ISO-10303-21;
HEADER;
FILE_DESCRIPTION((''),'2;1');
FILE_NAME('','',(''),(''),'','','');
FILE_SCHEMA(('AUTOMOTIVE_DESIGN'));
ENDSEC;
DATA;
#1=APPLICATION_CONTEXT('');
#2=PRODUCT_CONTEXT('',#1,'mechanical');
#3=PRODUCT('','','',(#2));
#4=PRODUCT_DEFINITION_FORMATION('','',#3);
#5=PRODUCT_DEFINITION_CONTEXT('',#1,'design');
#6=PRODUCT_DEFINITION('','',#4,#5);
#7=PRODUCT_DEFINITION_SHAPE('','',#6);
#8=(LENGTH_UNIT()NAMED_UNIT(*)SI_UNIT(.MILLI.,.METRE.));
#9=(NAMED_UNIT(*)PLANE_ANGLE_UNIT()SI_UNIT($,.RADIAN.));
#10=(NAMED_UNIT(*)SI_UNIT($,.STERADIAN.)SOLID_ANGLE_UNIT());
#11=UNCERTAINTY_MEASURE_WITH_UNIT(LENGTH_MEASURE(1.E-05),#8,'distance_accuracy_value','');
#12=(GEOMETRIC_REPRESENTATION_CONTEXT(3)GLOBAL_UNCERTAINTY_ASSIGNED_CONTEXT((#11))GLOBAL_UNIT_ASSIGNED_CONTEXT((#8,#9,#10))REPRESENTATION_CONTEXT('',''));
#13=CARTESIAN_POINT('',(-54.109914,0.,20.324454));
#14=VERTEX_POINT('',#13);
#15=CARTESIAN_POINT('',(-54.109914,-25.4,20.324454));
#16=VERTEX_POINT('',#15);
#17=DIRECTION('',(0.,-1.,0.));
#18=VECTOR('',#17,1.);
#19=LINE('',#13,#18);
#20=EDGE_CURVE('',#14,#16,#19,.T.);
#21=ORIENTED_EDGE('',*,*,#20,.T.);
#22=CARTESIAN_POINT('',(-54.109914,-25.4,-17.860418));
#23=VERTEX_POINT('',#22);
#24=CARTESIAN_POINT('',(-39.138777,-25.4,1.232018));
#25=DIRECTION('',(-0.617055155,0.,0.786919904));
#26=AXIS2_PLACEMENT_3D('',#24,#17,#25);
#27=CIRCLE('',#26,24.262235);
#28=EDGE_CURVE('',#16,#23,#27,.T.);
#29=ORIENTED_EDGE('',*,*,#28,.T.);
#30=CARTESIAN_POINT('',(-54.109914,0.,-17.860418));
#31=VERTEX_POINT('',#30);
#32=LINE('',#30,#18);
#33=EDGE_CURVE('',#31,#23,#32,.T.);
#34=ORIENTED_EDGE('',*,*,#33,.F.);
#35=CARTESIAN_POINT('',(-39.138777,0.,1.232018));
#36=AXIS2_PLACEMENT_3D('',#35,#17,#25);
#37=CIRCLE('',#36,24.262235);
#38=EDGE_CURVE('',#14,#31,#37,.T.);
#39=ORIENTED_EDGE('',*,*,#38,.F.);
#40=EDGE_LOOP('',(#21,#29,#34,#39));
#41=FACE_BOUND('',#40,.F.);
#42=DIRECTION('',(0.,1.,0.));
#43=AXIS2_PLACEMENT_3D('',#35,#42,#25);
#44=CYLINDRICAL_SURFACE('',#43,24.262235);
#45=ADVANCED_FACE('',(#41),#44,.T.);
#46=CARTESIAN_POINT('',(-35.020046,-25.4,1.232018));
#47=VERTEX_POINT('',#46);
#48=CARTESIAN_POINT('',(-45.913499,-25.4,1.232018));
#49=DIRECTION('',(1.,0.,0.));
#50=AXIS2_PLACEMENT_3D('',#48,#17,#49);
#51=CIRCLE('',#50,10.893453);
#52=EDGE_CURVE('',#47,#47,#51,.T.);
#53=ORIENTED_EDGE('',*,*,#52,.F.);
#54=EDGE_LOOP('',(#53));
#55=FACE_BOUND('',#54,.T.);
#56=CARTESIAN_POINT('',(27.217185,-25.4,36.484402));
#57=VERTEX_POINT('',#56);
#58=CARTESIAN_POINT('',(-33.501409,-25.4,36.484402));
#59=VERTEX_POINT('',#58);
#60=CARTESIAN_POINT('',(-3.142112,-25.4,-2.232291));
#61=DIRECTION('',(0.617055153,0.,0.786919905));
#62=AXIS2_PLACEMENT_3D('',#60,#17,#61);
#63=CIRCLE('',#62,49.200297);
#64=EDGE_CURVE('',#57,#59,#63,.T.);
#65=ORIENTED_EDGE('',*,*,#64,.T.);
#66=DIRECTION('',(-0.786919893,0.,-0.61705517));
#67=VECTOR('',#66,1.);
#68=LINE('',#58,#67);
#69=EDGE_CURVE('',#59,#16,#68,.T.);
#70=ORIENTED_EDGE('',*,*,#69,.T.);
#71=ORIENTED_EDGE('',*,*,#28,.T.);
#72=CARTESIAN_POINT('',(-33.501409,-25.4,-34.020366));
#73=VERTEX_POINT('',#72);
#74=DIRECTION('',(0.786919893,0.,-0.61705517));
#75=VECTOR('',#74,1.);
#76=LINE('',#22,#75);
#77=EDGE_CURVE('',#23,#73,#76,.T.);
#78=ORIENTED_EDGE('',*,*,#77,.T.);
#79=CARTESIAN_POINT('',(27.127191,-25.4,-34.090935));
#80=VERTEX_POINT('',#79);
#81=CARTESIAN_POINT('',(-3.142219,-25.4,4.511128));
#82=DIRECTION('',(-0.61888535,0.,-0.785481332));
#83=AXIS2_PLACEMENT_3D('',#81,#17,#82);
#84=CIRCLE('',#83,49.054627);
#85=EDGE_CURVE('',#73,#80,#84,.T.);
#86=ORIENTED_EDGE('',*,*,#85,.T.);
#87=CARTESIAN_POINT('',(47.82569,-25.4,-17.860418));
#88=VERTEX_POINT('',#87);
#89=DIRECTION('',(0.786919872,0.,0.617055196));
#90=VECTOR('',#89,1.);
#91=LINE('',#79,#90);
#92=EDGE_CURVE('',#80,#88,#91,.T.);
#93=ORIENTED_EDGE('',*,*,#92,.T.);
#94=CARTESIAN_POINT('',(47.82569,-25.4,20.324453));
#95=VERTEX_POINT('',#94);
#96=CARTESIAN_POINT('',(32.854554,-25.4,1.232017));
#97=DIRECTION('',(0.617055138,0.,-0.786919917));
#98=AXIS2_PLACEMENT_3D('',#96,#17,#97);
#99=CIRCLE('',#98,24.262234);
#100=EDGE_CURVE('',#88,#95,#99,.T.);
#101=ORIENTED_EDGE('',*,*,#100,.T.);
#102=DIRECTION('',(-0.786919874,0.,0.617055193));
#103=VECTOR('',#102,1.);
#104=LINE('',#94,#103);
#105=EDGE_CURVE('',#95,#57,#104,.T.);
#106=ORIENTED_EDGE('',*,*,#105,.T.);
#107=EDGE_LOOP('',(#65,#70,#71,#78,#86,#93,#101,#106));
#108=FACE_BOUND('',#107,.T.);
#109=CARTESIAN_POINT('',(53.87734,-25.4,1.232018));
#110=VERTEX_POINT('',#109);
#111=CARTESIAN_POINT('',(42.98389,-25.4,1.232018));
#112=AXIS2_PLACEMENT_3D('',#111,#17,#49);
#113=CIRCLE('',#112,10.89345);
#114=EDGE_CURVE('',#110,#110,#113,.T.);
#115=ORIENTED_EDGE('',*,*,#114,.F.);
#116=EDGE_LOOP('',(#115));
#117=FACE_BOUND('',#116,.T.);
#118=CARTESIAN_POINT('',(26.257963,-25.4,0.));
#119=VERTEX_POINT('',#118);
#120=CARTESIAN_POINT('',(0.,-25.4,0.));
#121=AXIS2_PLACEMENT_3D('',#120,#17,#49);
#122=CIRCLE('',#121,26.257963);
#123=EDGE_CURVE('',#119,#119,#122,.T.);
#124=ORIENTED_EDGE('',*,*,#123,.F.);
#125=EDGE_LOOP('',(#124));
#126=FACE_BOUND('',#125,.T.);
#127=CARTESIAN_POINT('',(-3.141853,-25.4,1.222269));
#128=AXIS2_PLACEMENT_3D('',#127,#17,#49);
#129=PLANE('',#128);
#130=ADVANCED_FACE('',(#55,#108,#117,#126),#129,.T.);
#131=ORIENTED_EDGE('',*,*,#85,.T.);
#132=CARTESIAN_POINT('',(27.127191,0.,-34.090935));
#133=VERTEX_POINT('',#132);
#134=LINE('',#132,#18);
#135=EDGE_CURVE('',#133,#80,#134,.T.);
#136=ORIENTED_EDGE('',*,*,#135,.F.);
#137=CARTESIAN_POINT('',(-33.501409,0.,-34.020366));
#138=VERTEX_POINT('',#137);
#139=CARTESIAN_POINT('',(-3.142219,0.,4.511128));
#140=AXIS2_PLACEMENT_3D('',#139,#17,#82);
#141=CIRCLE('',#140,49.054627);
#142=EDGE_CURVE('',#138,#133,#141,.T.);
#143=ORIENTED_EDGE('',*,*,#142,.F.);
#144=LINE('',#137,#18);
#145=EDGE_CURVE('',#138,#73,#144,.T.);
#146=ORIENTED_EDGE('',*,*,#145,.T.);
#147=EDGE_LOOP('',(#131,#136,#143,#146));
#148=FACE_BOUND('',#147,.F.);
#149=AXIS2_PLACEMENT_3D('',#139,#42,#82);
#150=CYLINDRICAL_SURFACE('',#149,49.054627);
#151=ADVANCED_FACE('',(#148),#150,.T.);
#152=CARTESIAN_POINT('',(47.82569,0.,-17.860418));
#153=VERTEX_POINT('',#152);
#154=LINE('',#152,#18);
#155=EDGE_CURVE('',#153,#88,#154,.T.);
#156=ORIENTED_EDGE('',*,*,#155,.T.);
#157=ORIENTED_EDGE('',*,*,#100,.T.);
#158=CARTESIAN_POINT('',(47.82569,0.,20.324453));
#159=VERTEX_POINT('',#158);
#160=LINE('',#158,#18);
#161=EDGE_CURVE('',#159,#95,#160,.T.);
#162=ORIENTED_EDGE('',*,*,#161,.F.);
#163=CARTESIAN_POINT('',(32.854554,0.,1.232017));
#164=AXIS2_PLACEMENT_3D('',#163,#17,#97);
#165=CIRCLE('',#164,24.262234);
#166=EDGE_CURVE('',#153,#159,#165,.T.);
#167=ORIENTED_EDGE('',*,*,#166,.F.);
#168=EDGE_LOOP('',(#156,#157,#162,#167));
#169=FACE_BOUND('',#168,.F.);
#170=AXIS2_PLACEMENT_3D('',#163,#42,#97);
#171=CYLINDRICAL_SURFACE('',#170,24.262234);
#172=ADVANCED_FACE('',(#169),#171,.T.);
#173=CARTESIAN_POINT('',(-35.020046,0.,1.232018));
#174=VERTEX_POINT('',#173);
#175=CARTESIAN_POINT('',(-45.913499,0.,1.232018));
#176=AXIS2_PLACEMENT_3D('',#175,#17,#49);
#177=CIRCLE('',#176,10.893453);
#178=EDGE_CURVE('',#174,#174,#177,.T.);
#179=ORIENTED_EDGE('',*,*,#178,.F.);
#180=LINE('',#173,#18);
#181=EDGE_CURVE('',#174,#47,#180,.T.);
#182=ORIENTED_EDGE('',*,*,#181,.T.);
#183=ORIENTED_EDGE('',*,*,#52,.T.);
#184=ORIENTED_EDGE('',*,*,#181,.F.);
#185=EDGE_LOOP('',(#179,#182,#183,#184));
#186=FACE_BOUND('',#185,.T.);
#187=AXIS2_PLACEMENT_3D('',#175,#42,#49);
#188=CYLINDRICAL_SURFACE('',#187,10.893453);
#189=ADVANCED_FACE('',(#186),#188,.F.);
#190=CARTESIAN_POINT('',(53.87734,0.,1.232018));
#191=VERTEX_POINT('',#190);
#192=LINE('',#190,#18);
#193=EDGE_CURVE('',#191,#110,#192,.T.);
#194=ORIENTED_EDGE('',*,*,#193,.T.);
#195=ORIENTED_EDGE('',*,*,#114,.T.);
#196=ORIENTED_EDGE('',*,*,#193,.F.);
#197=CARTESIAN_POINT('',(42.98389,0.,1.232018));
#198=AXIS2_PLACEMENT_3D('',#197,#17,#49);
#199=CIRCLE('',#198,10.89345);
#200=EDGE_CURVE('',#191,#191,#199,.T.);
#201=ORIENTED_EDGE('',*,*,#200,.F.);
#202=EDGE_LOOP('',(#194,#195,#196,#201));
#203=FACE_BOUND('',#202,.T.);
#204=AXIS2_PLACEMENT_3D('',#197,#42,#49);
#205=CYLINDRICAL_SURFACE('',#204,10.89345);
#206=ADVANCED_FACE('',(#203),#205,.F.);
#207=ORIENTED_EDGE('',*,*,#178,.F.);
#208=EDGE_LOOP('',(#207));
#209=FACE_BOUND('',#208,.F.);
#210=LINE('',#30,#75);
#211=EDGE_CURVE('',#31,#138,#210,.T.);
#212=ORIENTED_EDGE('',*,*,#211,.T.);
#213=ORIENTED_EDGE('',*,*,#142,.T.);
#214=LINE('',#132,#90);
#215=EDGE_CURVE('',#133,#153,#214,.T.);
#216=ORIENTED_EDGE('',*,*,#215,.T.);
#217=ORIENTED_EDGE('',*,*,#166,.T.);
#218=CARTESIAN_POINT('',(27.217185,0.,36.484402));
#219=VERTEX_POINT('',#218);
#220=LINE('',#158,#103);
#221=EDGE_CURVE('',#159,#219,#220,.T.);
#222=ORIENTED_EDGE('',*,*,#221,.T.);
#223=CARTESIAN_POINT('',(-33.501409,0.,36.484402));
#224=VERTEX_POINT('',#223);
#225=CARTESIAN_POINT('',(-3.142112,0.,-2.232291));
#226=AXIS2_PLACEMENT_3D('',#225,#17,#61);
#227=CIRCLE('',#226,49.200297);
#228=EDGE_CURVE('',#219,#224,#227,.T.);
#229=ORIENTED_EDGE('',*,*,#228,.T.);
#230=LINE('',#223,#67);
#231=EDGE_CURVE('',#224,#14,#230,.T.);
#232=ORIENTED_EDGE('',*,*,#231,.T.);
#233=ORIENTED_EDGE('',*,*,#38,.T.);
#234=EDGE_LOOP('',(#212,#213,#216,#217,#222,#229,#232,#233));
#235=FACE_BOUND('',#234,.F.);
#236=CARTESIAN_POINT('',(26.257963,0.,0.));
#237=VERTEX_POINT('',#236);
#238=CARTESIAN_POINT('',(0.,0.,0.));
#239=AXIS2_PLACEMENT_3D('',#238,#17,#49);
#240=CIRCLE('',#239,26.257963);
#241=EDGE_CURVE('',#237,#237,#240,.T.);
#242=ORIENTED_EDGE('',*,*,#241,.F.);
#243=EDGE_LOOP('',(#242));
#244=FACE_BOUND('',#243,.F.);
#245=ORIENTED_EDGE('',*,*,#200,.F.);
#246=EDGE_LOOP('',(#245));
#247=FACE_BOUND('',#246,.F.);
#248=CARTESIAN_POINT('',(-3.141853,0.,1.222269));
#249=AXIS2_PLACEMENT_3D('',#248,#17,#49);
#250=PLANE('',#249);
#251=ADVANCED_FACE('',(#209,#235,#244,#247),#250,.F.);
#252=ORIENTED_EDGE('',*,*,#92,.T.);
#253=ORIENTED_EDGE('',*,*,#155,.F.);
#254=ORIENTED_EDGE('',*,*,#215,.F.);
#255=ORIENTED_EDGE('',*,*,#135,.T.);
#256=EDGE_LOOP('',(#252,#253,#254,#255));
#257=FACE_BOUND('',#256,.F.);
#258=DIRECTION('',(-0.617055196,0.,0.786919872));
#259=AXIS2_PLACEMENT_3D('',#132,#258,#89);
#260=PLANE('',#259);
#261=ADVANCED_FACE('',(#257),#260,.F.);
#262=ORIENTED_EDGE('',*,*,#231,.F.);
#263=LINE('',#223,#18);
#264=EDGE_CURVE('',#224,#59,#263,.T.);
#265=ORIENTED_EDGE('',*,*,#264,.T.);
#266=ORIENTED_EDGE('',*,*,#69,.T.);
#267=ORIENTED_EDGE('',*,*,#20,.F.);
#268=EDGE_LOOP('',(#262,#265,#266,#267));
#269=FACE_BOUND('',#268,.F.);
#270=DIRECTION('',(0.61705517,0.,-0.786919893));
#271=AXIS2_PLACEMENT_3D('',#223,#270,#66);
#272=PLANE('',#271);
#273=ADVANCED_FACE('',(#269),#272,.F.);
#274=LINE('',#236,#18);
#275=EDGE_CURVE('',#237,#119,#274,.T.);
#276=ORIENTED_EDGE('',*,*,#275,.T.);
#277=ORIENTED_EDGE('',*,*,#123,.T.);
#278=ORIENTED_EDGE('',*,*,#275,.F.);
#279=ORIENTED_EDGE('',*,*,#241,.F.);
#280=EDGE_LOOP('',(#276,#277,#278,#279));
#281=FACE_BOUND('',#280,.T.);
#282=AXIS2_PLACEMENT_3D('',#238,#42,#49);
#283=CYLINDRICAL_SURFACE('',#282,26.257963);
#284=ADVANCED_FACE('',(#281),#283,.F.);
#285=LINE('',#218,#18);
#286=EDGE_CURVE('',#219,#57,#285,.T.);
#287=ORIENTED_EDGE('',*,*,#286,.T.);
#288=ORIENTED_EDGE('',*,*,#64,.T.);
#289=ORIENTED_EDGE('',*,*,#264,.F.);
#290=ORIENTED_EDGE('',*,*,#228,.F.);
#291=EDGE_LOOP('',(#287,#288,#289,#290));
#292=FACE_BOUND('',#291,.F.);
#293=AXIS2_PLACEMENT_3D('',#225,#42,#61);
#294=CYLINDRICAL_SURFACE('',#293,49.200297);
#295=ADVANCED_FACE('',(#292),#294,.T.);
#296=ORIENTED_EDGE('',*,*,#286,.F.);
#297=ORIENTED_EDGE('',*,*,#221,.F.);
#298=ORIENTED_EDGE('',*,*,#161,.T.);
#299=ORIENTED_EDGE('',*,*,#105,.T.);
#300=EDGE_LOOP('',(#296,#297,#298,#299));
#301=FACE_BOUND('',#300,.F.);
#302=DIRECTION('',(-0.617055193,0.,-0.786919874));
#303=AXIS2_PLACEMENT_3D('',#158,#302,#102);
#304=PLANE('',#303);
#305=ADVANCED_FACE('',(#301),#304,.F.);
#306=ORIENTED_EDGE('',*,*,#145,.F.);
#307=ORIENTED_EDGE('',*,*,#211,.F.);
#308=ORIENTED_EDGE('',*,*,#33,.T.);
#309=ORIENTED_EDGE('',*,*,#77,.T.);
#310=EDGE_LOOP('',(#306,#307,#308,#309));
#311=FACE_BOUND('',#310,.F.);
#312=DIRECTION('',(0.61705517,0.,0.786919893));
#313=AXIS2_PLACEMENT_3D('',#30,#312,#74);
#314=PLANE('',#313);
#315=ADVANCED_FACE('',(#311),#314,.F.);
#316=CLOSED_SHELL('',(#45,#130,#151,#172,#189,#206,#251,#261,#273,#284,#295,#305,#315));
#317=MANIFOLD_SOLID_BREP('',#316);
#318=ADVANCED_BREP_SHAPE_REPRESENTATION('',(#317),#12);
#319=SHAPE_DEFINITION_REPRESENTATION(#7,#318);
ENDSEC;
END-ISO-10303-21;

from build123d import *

# Parameters (mm, degrees)
F0_R     = 26.257963
F0_R_2   = 10.893453
F0_R_3   = 10.89345
F1_DEPTH = 25.4


with BuildPart() as f1:
    # F0 (on Front) → F1 (new body)
    with BuildSketch(Plane.XZ):
        with BuildLine():
            Line((47.82569, 20.324453), (27.217185, 36.484402))
            ThreePointArc((27.217185, 36.484402), (-3.142112, 46.968006), (-33.501409, 36.484402))
            Line((-33.501409, 36.484402), (-54.109914, 20.324454))
            ThreePointArc((-54.109914, 20.324454), (-63.401012, 1.232018), (-54.109914, -17.860418))
            Line((-54.109914, -17.860418), (-33.501409, -34.020366))
            ThreePointArc((-33.501409, -34.020366), (-3.199316, -44.543466), (27.127191, -34.090935))
            Line((27.127191, -34.090935), (47.82569, -17.860418))
            ThreePointArc((47.82569, -17.860418), (57.116788, 1.232018), (47.82569, 20.324453))
        make_face()
        Circle(F0_R, mode=Mode.SUBTRACT)
        with Locations((-45.913499, 1.232018)):
            Circle(F0_R_2, mode=Mode.SUBTRACT)
        with Locations((42.98389, 1.232018)):
            Circle(F0_R_3, mode=Mode.SUBTRACT)
    extrude(amount=F1_DEPTH)


solid = f1.part
